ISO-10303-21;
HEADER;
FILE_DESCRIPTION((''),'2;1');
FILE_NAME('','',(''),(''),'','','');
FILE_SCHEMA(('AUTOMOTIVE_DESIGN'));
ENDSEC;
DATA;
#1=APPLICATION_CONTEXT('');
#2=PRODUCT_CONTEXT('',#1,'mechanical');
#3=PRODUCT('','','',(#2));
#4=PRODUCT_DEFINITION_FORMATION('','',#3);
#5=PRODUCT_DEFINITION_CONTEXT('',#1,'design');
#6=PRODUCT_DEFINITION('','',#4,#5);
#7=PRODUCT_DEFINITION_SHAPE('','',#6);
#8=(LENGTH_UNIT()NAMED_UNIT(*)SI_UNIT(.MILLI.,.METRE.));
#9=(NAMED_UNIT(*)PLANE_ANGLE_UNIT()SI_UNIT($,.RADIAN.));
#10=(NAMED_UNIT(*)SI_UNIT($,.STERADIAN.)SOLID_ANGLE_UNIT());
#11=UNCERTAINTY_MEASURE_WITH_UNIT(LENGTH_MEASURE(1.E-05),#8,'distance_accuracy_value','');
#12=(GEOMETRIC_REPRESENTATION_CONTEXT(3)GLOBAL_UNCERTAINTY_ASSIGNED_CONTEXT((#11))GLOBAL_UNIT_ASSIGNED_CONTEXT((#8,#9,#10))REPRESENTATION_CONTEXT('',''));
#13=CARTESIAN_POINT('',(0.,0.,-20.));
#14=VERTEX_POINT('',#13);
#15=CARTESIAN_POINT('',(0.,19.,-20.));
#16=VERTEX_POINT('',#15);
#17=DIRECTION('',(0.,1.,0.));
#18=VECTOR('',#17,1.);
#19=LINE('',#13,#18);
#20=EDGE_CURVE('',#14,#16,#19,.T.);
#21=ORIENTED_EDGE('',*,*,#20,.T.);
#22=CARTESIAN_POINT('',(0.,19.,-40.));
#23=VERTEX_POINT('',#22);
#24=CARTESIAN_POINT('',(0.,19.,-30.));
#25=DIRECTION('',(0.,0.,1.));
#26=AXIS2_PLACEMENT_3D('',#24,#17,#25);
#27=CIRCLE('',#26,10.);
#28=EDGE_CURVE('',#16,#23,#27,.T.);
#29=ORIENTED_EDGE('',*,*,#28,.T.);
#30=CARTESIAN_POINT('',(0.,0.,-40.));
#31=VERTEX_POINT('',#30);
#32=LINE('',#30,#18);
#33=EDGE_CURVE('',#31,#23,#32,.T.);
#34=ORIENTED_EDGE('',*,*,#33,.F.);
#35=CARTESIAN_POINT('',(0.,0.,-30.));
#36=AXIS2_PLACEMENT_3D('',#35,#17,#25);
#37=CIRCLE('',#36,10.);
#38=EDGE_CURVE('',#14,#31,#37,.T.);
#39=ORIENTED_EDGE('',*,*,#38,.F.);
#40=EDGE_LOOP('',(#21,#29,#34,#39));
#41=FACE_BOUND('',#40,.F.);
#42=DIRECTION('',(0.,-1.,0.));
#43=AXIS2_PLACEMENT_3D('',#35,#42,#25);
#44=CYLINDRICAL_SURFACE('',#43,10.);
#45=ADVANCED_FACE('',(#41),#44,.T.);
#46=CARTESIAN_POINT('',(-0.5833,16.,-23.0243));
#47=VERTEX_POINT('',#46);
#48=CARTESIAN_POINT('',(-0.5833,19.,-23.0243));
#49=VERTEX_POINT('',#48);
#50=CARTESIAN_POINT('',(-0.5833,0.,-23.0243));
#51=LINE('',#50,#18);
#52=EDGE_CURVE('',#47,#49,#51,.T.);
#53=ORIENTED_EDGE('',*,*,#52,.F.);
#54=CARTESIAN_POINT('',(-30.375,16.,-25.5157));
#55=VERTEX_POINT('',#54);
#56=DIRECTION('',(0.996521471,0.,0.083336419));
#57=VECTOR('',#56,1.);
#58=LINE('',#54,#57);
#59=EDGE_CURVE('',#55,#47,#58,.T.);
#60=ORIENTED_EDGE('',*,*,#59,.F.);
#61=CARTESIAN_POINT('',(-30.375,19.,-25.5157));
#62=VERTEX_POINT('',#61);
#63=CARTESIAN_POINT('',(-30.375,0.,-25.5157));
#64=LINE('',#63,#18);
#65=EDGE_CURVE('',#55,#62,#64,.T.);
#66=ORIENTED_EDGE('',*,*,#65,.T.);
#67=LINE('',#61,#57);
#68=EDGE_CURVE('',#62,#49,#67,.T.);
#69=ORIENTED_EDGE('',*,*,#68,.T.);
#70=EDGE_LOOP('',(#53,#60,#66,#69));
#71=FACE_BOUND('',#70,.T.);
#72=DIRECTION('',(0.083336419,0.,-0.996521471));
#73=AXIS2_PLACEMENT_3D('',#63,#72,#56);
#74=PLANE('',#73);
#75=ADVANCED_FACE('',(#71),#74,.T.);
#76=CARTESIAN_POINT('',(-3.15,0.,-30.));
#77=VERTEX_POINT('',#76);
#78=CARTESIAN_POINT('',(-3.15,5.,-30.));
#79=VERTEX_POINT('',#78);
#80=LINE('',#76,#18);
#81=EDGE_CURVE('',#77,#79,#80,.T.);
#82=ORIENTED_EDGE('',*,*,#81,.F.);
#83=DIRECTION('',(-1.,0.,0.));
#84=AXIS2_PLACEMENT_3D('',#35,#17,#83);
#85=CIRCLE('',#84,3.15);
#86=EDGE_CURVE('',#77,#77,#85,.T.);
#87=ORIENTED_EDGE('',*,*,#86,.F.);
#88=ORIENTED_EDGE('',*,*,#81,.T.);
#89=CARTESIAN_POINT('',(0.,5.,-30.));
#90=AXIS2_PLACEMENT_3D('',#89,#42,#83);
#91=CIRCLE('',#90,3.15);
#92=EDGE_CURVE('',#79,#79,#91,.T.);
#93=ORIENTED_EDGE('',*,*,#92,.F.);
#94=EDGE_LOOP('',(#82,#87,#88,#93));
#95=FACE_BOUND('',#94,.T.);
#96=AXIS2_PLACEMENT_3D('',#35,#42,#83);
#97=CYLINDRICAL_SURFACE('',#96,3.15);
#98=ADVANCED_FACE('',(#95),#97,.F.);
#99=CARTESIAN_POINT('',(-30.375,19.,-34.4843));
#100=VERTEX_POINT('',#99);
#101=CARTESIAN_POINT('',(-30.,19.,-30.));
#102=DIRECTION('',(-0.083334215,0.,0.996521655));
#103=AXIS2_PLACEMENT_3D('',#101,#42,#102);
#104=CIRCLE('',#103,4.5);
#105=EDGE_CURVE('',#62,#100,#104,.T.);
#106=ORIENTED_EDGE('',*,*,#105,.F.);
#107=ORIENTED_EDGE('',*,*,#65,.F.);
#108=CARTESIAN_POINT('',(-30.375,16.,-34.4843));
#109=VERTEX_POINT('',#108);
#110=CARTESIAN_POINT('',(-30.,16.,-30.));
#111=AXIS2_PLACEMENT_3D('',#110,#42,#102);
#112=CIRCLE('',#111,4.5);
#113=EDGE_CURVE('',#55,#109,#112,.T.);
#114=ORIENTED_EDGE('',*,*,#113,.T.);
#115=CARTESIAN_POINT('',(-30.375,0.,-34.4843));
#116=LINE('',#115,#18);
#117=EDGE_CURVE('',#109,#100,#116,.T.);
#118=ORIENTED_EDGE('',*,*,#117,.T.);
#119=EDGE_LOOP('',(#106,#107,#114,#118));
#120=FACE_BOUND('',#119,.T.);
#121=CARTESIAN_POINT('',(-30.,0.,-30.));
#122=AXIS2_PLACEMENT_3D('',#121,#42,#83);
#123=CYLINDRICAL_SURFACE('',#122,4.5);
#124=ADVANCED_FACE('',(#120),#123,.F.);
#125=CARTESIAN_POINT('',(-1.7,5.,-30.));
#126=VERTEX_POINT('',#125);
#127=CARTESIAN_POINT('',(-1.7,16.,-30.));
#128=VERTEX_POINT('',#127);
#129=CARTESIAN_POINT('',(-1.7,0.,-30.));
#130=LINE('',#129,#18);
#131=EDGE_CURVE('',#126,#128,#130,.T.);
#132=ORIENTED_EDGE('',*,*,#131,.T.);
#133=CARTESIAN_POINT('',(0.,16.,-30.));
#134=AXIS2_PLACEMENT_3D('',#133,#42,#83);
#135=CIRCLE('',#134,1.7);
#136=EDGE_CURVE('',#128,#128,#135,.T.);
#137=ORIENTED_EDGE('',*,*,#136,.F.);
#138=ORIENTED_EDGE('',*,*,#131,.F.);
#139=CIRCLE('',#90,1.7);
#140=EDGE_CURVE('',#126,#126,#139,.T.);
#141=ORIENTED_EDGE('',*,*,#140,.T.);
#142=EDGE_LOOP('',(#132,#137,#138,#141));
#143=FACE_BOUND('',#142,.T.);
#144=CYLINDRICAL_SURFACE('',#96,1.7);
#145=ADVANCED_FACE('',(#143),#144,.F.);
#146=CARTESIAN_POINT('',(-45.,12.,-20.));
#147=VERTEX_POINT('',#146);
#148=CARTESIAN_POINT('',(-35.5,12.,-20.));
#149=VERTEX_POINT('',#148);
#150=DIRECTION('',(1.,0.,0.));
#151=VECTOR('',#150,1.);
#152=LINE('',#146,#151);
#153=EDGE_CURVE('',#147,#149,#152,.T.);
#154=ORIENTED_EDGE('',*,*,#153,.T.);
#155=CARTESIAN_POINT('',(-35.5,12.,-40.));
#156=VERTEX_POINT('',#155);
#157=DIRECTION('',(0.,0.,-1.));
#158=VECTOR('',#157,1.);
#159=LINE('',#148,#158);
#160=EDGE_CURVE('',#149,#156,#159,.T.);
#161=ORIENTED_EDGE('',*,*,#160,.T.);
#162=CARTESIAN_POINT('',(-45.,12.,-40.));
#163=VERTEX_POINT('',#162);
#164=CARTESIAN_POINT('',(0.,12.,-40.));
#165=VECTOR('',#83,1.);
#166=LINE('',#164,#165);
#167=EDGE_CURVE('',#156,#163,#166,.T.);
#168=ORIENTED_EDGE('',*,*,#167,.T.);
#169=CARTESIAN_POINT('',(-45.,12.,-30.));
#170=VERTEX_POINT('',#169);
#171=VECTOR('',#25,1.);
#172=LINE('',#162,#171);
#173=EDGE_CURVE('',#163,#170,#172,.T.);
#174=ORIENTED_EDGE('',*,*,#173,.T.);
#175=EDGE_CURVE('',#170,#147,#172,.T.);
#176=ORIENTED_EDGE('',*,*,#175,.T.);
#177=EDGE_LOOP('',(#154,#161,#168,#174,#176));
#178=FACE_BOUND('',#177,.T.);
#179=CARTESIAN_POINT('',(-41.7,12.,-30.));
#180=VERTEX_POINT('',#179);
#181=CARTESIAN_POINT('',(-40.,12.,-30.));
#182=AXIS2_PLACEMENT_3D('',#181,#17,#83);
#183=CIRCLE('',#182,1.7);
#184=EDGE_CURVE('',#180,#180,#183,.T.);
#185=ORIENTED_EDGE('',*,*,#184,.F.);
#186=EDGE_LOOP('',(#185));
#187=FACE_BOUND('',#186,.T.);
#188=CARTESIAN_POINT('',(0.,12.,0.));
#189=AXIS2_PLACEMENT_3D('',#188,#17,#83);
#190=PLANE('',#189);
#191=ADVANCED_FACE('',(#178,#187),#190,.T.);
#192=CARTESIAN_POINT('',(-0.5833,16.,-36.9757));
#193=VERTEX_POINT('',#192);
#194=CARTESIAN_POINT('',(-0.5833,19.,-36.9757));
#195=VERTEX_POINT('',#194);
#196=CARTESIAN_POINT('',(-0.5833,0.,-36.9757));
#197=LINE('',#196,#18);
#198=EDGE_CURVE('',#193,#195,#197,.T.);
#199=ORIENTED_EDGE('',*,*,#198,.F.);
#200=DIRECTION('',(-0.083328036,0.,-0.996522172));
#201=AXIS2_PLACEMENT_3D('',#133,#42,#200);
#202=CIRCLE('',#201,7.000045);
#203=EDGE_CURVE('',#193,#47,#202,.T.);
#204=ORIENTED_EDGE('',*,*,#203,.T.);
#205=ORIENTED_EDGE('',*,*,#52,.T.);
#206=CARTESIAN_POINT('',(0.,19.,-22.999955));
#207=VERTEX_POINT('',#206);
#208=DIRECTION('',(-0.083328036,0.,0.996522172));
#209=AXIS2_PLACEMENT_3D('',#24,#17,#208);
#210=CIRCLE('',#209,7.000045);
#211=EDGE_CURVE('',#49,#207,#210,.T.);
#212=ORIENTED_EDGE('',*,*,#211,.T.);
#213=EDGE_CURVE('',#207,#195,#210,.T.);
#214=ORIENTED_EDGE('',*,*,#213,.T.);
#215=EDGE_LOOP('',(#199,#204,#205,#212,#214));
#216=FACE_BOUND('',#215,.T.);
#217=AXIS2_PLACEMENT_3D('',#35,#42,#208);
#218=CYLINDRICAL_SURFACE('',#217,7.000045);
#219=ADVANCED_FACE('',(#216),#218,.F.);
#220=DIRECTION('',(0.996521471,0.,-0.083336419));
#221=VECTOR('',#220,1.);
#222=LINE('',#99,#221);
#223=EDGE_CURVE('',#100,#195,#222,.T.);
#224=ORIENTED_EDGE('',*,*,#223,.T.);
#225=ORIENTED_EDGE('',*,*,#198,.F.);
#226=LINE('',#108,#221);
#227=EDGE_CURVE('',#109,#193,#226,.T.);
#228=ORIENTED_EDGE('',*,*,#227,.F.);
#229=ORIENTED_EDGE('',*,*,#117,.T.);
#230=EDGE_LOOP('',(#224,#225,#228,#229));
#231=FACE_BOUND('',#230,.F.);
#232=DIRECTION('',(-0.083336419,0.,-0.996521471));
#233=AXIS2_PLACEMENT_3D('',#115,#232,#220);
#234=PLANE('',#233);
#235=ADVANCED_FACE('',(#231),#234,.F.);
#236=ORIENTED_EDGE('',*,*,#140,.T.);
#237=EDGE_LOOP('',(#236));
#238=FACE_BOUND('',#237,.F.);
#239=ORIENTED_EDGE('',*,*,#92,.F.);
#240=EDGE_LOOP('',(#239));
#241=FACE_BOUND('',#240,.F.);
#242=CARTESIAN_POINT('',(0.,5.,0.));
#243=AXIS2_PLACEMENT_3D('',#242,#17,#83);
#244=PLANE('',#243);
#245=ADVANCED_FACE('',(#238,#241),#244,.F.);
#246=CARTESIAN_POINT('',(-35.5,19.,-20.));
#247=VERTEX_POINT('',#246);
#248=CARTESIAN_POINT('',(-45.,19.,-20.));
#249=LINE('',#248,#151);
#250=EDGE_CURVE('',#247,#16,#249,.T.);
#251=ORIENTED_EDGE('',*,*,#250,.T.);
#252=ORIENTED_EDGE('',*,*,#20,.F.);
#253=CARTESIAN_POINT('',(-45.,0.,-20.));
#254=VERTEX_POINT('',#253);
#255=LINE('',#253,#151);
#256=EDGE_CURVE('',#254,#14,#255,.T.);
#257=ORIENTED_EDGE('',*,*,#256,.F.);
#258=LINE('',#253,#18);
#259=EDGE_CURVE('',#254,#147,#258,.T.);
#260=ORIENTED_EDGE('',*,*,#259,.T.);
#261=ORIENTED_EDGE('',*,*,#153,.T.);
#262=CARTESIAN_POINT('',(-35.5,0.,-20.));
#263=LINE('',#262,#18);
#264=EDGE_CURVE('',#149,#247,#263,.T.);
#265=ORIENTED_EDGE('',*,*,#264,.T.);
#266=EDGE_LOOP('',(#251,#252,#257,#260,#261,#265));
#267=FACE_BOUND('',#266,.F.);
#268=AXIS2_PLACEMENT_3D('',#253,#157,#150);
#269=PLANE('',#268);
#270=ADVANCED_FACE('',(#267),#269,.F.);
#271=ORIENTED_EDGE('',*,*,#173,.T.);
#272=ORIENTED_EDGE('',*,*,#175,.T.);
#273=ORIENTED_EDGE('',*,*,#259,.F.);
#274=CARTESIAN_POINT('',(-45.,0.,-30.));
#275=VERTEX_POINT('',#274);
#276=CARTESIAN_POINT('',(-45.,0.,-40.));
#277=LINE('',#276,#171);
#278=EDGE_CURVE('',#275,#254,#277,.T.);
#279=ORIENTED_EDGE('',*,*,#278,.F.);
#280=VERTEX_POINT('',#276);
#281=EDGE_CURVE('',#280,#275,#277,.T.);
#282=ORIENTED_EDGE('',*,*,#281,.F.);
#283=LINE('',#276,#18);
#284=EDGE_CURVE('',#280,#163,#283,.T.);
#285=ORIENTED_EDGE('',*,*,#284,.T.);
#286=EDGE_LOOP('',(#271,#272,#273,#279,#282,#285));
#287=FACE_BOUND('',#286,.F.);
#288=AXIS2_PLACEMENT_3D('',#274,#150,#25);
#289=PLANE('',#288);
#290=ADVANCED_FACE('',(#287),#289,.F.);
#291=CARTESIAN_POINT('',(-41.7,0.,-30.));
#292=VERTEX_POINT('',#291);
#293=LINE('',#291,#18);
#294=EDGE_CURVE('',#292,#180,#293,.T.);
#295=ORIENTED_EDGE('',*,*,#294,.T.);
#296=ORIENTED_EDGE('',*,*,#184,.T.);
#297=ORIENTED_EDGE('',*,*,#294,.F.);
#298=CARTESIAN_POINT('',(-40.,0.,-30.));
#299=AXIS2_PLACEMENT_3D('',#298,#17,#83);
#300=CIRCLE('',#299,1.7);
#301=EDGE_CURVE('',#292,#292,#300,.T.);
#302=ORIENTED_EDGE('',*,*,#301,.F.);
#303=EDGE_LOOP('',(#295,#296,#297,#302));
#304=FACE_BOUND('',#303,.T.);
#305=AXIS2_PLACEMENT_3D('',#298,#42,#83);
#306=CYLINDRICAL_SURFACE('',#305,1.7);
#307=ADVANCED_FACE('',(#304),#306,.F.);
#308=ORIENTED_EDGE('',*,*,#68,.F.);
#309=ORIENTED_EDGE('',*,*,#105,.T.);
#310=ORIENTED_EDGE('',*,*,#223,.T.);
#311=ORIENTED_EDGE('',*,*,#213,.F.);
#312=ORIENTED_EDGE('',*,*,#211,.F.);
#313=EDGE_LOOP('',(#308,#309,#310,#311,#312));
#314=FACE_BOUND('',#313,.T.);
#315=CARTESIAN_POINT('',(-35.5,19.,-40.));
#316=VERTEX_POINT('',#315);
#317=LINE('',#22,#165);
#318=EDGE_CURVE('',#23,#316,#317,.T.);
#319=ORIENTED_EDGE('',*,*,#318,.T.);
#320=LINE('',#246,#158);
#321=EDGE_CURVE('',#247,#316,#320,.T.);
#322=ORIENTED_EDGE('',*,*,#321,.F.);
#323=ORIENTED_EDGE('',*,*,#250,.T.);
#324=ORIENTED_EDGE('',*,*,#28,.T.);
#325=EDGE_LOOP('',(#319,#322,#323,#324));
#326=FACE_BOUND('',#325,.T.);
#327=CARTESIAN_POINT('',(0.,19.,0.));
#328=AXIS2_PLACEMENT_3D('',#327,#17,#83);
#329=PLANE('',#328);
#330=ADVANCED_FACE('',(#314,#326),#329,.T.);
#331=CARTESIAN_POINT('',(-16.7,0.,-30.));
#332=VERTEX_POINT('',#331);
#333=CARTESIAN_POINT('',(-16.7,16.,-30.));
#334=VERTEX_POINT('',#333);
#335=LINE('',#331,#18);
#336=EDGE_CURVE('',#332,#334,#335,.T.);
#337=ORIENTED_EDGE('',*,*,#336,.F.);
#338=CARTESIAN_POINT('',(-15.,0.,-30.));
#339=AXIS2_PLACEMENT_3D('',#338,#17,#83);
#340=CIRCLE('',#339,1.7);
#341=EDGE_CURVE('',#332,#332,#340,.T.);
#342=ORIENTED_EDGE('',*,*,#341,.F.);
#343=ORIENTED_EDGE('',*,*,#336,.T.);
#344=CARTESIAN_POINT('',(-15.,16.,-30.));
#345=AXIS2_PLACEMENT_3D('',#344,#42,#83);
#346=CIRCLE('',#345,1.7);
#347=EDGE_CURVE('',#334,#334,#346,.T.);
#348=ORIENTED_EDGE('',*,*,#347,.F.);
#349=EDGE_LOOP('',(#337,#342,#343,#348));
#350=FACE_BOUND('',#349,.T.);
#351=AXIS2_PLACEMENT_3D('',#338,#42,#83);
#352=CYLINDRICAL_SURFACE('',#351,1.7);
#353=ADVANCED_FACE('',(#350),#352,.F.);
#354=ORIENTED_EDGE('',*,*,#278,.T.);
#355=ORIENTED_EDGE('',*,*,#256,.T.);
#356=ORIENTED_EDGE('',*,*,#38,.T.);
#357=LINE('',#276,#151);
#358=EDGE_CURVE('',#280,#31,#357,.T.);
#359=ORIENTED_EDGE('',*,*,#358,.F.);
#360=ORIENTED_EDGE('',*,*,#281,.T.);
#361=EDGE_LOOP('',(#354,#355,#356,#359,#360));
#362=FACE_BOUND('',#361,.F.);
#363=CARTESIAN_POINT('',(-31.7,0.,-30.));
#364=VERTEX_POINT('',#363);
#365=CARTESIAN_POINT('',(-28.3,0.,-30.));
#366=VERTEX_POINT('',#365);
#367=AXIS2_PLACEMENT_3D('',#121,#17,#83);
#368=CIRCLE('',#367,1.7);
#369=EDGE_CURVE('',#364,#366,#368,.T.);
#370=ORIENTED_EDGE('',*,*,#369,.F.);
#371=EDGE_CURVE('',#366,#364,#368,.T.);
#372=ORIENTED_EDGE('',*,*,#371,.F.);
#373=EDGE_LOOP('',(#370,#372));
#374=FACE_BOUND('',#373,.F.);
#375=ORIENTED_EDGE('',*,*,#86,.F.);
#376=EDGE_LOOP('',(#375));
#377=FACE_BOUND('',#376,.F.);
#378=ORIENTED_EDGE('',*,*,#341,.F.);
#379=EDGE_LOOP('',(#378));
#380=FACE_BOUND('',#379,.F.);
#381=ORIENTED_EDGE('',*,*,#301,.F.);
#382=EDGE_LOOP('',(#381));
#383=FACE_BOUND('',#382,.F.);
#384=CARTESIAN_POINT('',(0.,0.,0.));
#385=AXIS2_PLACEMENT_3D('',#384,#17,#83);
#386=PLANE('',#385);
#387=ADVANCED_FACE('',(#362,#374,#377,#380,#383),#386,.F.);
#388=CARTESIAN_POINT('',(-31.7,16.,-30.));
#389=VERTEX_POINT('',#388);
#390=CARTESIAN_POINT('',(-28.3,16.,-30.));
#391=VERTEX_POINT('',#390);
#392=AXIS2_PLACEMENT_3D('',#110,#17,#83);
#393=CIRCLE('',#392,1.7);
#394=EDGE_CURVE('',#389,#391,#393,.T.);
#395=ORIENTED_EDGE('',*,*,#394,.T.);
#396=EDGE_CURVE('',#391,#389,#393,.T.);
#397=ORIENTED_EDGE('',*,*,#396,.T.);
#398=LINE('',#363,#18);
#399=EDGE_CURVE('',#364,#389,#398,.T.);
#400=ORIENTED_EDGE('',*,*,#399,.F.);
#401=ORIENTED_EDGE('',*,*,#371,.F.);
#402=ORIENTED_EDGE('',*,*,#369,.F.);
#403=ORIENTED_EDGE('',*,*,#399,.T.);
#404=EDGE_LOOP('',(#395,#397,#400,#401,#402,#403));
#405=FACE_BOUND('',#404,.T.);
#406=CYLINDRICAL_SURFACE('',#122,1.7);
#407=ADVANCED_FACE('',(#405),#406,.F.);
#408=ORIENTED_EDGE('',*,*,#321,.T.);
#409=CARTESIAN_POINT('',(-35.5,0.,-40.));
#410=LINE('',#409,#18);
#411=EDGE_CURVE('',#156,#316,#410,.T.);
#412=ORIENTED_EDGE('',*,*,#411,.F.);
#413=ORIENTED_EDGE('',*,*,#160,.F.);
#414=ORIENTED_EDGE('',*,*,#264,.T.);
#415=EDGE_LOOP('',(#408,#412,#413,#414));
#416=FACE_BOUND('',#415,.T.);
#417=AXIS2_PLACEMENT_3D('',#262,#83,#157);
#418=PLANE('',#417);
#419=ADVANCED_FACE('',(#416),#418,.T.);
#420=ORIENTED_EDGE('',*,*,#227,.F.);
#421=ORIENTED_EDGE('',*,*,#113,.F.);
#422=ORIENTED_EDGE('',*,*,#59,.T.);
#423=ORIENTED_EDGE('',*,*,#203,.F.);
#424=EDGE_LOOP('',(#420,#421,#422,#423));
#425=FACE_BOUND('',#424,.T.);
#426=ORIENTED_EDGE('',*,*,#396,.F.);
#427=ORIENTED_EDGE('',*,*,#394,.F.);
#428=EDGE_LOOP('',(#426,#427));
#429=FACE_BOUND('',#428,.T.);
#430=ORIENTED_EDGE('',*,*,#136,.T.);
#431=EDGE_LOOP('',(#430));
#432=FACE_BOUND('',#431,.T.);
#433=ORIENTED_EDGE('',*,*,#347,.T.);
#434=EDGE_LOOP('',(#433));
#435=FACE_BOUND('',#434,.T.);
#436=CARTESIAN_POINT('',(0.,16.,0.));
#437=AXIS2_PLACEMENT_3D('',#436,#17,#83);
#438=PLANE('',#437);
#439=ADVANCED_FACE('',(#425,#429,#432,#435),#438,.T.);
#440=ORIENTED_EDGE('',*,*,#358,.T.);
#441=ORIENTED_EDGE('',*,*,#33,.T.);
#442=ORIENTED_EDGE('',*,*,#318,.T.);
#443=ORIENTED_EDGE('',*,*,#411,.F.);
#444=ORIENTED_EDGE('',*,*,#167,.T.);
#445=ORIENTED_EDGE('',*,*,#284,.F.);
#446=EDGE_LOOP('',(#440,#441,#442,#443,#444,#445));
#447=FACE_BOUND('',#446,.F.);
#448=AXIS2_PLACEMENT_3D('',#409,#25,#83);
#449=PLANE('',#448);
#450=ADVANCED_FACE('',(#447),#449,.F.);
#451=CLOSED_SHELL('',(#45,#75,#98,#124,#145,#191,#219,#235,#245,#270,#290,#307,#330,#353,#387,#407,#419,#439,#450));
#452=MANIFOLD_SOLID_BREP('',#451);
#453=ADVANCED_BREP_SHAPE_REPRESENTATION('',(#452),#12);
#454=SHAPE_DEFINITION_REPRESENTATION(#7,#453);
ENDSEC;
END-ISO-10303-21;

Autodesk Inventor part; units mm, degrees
ref_plane "YZ Plane" through (0, 0, 0) normal (1, 0, 0) x (0, 1, 0)
ref_plane "XZ Plane" through (0, 0, 0) normal (0, 1, 0) x (-1, 0, 0)
ref_plane "XY Plane" through (0, 0, 0) normal (0, 0, 1) x (1, 0, 0)
sketch "Sketch1" plane through (0, 0, 0) normal (0, 1, 0) x (-1, 0, 0)
  line L0 (0, 0) -> (0, -16)
  line L1 (0, 0) -> (0, -30)
  line L2 (0, -16) -> (0, -20)
  line L3 (0, -16) -> (50, -16)
  line L4 (50, -16) -> (50, 0)
  line L5 (50, 0) -> (0, 0)
  line L6 (50, -20) -> (50, -16)
  arc A0 (0.5833, -23.0243) -> (0.5833, -36.9757) centre (0, -30) ccw
  line L7 (0, -30) -> (30, -30)
  circle A1 centre (30, -30) radius 4.5
  line L8 (30.375, -25.5157) -> (0.5833, -23.0243)
  line L9 (30.375, -34.4843) -> (0.5833, -36.9757)
  line L10 (0, -40) -> (45, -40)
  line L11 (45, -40) -> (45, -20)
  line L12 (45, -20) -> (0, -20)
  circle A2 centre (30, -30) radius 1.7
  circle A3 centre (15, -30) radius 1.7
  line L13 (45, -30) -> (40, -30)
  circle A4 centre (40, -30) radius 1.7
  circle A5 centre (0, -30) radius 3.15
  circle A6 centre (0, -30) radius 1.7
  line L14 (45, -20) -> (0, -20)
  line L15 (45, -20) -> (35.5, -20)
  line L16 (35.5, -20) -> (35.5, -40)
  arc A7 (0, -20) -> (0, -40) centre (0, -30) ccw
  dimension "d0" = 16
  dimension "d1" = 30
  dimension "d2" = 4
  dimension "d3" = 50
  dimension "d4" = 50
  dimension "d22" = 14
  dimension "d23" = 30
  dimension "d24" = 9
  dimension "d26" = 45
  dimension "d29" = 3.4
  dimension "d30" = 3.4
  dimension "d31" = 5
  dimension "d32" = 3.4
  dimension "d34" = 6.3
  dimension "d35" = 3.4
  dimension "d36" = 9.5
extrude "Extrusion4" add sketch "Sketch1" along normal blind 16 contours A0 L8 A1 L7 A3 A5 L1 | L1 A5 L7 A3 A1 L9 A0 | A5 L7 A6 L1 | L1 A6 L7 A5 | A1
extrude "Extrusion5" add sketch "Sketch1" along normal blind 19 contours L12 L16 L10 A7
extrude "Extrusion6" add sketch "Sketch1" along normal blind 12 contours L12 L11 L10 L16
extrude "Extrusion7" cut sketch "Sketch1" along normal blind 5 contours A5 L7 A6 L1 | L1 A6 L7 A5
properties part number "servo_clip1"
